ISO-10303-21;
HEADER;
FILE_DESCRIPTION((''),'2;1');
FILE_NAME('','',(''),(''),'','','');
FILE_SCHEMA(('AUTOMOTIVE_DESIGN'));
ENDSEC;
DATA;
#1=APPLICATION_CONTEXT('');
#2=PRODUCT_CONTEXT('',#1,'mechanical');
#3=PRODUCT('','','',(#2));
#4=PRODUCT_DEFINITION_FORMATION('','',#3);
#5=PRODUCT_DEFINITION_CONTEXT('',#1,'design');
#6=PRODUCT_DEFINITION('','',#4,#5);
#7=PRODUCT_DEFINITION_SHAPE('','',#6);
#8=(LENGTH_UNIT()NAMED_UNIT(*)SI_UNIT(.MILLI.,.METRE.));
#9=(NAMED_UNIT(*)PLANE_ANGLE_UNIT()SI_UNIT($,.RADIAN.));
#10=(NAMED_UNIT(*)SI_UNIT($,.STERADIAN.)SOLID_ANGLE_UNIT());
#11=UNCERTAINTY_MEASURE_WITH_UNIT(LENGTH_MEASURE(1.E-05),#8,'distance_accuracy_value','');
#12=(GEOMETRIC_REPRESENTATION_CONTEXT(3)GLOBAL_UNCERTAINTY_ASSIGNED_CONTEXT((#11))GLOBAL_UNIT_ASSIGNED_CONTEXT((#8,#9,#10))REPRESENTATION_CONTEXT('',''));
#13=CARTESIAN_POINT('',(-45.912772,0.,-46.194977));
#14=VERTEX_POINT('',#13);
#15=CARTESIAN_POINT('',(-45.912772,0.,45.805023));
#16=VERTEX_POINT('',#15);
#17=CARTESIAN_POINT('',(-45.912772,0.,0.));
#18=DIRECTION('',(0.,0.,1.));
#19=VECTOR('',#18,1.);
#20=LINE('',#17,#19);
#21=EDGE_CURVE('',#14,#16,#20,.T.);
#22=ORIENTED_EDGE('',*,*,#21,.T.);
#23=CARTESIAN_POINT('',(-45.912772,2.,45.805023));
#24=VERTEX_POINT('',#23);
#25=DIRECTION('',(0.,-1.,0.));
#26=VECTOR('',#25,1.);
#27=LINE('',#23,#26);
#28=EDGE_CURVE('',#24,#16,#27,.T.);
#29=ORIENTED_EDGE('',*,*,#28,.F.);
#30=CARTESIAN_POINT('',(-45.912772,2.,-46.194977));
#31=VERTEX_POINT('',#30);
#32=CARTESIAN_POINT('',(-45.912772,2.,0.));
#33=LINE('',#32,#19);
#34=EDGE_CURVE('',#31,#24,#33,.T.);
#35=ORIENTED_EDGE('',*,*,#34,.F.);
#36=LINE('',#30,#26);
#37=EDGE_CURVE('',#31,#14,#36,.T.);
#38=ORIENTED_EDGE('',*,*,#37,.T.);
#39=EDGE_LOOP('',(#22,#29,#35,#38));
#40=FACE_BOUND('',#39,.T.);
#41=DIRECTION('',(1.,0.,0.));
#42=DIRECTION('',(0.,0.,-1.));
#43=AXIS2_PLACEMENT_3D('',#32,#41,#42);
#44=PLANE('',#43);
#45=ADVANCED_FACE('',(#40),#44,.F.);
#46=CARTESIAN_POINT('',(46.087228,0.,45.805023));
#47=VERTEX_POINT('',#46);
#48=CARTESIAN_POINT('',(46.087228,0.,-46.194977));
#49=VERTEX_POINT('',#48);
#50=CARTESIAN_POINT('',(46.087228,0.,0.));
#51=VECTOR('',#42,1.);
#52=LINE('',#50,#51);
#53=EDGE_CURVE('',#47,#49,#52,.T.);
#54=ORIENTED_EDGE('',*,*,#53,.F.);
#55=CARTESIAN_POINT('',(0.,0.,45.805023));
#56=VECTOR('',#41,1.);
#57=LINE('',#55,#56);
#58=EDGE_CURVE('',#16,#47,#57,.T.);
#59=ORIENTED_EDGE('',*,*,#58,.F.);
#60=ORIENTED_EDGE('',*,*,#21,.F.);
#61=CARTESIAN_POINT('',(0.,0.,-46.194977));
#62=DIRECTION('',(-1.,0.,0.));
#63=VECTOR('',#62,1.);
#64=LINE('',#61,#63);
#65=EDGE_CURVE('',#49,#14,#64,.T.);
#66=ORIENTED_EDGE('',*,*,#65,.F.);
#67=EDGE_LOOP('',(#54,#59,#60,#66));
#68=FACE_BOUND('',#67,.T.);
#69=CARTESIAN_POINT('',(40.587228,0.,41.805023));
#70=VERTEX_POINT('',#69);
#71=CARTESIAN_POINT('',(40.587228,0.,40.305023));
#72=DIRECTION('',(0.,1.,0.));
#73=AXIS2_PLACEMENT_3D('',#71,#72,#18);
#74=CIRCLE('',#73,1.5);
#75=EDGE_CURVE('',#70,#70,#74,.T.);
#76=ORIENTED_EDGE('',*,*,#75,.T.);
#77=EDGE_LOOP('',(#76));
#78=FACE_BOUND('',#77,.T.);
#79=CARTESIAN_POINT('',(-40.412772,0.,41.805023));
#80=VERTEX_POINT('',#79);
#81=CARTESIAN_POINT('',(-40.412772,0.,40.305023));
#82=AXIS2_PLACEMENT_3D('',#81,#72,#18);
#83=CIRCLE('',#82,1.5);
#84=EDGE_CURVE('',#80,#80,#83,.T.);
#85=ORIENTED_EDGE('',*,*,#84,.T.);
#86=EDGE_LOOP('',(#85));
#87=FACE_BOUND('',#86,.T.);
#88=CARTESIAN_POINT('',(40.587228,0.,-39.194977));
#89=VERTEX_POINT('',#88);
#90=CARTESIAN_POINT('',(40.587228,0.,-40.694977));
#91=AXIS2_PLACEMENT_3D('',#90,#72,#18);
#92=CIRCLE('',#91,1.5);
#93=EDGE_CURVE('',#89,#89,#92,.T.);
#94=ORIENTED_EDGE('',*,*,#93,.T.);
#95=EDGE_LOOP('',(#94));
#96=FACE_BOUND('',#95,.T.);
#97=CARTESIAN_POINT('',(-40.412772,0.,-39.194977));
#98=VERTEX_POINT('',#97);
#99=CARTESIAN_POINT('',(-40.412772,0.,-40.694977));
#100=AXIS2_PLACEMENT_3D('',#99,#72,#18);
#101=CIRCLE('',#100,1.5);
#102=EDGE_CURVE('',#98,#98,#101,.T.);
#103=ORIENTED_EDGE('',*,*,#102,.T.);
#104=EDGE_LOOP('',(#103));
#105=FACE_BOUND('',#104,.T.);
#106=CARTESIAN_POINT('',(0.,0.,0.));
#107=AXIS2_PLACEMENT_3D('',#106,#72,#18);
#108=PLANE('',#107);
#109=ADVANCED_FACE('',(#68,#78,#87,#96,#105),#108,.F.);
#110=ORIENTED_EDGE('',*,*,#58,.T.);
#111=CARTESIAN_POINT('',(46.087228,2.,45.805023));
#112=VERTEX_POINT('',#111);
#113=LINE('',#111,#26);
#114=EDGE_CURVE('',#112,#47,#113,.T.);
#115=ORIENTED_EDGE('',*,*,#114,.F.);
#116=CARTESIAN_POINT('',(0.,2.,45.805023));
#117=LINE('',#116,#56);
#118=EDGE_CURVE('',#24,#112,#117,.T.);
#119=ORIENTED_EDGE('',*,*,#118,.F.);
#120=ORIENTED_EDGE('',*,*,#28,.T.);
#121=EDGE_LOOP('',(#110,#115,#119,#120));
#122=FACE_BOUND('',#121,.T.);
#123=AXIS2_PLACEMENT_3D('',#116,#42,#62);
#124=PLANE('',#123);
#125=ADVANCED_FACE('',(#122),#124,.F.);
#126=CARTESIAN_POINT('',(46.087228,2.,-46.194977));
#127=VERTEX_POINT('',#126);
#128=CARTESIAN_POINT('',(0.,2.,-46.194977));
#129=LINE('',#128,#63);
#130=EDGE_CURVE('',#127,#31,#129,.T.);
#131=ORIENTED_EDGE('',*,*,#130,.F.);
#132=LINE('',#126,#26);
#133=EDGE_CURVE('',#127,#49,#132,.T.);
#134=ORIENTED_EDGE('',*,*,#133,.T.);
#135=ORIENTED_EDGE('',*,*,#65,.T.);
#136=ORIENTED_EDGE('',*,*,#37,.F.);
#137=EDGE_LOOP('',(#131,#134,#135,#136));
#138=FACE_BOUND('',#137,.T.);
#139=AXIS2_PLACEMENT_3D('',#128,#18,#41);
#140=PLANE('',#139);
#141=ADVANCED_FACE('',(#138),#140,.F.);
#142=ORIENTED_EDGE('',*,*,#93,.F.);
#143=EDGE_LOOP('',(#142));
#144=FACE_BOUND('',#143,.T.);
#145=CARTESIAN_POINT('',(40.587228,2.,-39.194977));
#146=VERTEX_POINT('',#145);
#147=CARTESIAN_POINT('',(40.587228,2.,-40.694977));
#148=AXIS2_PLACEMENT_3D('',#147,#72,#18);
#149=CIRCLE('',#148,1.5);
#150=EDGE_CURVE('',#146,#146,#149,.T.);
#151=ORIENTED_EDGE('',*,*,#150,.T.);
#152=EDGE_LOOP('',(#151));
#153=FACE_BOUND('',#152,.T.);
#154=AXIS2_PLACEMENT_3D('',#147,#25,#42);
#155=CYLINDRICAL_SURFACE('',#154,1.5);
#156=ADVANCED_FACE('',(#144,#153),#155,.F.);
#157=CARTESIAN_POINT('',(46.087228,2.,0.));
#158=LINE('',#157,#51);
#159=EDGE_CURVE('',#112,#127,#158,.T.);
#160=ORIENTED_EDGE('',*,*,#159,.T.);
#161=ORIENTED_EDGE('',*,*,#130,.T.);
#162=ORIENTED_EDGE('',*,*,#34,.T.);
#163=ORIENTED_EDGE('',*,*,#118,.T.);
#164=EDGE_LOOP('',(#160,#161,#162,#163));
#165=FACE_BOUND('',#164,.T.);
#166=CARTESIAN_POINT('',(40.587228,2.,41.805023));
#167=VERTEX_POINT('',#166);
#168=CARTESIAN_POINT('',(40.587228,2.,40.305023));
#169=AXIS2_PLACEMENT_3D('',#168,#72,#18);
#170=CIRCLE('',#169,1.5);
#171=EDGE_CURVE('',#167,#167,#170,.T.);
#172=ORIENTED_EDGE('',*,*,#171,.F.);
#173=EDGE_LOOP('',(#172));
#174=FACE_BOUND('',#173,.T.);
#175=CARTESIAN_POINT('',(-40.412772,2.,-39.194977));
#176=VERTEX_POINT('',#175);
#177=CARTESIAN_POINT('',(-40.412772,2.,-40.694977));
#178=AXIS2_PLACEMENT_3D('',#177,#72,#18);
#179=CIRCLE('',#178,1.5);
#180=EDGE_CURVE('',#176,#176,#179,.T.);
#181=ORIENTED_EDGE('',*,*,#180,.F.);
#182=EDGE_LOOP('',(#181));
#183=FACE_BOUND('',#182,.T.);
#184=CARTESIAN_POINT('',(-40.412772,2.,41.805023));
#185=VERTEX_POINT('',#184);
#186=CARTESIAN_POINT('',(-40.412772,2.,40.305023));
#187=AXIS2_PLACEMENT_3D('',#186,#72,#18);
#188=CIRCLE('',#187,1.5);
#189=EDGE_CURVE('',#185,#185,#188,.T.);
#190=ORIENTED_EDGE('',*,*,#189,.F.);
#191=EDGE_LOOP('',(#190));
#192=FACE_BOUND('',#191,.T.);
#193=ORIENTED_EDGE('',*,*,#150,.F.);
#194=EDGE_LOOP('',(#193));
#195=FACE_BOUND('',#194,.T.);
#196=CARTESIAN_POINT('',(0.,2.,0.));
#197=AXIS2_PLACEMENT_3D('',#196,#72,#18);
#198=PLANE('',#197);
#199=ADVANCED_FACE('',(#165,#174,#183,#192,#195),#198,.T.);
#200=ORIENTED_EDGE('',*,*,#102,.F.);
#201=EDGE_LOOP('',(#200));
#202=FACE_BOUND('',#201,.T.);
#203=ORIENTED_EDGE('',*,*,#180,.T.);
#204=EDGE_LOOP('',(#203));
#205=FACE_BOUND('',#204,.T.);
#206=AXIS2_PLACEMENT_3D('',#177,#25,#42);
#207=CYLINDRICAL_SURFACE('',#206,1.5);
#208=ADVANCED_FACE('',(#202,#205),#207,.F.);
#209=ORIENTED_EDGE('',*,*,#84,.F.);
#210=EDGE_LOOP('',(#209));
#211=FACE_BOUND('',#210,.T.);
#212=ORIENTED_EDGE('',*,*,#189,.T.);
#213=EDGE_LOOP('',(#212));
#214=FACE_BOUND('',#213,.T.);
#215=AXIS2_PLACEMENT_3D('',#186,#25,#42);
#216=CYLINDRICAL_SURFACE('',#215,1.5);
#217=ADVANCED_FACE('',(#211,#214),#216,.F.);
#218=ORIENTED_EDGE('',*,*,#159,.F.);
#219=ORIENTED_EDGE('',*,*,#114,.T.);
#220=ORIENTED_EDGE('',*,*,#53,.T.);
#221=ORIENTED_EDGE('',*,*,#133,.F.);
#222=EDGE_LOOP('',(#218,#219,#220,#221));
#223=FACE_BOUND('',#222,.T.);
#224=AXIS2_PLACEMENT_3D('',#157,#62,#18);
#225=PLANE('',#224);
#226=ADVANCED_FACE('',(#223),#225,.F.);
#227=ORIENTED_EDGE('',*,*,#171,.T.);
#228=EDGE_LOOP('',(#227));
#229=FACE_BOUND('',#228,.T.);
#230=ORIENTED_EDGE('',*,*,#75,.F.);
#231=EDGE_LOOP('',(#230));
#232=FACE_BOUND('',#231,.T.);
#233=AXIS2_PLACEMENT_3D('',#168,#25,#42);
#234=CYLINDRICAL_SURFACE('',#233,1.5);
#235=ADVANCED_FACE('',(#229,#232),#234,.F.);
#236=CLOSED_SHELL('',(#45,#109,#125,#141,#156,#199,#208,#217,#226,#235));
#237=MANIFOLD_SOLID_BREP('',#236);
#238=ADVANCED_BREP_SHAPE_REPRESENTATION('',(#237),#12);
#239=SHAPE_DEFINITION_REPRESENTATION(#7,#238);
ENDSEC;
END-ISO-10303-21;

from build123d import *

# Parameters (mm, degrees)
SKETCH1_R           = 1.5
BOSS_EXTRUDE1_DEPTH = 2


with BuildPart() as part:
    # Sketch1 → Boss-Extrude1 (new body)
    with BuildSketch(Plane(origin=(0, 0, 0), x_dir=(1, 0, 0), z_dir=(0, 1, 0))):
        Polygon((46.087228268, 37.194976507), (46.087228268, 46.194976507), (-36.912771732, 46.194976507), (-45.912771732, 46.194976507), (-45.912771732, -36.805023493), (-45.912771732, -45.805023493), (37.087228268, -45.805023493), (46.087228268, -45.805023493), align=None)
        with Locations((-40.412771732, -40.305023493)):
            Circle(SKETCH1_R, mode=Mode.SUBTRACT)
        with Locations((40.587228268, -40.305023493)):
            Circle(SKETCH1_R, mode=Mode.SUBTRACT)
        with Locations((-40.412771732, 40.694976507)):
            Circle(SKETCH1_R, mode=Mode.SUBTRACT)
        with Locations((40.587228268, 40.694976507)):
            Circle(SKETCH1_R, mode=Mode.SUBTRACT)
    extrude(amount=BOSS_EXTRUDE1_DEPTH)


solid = part.part
